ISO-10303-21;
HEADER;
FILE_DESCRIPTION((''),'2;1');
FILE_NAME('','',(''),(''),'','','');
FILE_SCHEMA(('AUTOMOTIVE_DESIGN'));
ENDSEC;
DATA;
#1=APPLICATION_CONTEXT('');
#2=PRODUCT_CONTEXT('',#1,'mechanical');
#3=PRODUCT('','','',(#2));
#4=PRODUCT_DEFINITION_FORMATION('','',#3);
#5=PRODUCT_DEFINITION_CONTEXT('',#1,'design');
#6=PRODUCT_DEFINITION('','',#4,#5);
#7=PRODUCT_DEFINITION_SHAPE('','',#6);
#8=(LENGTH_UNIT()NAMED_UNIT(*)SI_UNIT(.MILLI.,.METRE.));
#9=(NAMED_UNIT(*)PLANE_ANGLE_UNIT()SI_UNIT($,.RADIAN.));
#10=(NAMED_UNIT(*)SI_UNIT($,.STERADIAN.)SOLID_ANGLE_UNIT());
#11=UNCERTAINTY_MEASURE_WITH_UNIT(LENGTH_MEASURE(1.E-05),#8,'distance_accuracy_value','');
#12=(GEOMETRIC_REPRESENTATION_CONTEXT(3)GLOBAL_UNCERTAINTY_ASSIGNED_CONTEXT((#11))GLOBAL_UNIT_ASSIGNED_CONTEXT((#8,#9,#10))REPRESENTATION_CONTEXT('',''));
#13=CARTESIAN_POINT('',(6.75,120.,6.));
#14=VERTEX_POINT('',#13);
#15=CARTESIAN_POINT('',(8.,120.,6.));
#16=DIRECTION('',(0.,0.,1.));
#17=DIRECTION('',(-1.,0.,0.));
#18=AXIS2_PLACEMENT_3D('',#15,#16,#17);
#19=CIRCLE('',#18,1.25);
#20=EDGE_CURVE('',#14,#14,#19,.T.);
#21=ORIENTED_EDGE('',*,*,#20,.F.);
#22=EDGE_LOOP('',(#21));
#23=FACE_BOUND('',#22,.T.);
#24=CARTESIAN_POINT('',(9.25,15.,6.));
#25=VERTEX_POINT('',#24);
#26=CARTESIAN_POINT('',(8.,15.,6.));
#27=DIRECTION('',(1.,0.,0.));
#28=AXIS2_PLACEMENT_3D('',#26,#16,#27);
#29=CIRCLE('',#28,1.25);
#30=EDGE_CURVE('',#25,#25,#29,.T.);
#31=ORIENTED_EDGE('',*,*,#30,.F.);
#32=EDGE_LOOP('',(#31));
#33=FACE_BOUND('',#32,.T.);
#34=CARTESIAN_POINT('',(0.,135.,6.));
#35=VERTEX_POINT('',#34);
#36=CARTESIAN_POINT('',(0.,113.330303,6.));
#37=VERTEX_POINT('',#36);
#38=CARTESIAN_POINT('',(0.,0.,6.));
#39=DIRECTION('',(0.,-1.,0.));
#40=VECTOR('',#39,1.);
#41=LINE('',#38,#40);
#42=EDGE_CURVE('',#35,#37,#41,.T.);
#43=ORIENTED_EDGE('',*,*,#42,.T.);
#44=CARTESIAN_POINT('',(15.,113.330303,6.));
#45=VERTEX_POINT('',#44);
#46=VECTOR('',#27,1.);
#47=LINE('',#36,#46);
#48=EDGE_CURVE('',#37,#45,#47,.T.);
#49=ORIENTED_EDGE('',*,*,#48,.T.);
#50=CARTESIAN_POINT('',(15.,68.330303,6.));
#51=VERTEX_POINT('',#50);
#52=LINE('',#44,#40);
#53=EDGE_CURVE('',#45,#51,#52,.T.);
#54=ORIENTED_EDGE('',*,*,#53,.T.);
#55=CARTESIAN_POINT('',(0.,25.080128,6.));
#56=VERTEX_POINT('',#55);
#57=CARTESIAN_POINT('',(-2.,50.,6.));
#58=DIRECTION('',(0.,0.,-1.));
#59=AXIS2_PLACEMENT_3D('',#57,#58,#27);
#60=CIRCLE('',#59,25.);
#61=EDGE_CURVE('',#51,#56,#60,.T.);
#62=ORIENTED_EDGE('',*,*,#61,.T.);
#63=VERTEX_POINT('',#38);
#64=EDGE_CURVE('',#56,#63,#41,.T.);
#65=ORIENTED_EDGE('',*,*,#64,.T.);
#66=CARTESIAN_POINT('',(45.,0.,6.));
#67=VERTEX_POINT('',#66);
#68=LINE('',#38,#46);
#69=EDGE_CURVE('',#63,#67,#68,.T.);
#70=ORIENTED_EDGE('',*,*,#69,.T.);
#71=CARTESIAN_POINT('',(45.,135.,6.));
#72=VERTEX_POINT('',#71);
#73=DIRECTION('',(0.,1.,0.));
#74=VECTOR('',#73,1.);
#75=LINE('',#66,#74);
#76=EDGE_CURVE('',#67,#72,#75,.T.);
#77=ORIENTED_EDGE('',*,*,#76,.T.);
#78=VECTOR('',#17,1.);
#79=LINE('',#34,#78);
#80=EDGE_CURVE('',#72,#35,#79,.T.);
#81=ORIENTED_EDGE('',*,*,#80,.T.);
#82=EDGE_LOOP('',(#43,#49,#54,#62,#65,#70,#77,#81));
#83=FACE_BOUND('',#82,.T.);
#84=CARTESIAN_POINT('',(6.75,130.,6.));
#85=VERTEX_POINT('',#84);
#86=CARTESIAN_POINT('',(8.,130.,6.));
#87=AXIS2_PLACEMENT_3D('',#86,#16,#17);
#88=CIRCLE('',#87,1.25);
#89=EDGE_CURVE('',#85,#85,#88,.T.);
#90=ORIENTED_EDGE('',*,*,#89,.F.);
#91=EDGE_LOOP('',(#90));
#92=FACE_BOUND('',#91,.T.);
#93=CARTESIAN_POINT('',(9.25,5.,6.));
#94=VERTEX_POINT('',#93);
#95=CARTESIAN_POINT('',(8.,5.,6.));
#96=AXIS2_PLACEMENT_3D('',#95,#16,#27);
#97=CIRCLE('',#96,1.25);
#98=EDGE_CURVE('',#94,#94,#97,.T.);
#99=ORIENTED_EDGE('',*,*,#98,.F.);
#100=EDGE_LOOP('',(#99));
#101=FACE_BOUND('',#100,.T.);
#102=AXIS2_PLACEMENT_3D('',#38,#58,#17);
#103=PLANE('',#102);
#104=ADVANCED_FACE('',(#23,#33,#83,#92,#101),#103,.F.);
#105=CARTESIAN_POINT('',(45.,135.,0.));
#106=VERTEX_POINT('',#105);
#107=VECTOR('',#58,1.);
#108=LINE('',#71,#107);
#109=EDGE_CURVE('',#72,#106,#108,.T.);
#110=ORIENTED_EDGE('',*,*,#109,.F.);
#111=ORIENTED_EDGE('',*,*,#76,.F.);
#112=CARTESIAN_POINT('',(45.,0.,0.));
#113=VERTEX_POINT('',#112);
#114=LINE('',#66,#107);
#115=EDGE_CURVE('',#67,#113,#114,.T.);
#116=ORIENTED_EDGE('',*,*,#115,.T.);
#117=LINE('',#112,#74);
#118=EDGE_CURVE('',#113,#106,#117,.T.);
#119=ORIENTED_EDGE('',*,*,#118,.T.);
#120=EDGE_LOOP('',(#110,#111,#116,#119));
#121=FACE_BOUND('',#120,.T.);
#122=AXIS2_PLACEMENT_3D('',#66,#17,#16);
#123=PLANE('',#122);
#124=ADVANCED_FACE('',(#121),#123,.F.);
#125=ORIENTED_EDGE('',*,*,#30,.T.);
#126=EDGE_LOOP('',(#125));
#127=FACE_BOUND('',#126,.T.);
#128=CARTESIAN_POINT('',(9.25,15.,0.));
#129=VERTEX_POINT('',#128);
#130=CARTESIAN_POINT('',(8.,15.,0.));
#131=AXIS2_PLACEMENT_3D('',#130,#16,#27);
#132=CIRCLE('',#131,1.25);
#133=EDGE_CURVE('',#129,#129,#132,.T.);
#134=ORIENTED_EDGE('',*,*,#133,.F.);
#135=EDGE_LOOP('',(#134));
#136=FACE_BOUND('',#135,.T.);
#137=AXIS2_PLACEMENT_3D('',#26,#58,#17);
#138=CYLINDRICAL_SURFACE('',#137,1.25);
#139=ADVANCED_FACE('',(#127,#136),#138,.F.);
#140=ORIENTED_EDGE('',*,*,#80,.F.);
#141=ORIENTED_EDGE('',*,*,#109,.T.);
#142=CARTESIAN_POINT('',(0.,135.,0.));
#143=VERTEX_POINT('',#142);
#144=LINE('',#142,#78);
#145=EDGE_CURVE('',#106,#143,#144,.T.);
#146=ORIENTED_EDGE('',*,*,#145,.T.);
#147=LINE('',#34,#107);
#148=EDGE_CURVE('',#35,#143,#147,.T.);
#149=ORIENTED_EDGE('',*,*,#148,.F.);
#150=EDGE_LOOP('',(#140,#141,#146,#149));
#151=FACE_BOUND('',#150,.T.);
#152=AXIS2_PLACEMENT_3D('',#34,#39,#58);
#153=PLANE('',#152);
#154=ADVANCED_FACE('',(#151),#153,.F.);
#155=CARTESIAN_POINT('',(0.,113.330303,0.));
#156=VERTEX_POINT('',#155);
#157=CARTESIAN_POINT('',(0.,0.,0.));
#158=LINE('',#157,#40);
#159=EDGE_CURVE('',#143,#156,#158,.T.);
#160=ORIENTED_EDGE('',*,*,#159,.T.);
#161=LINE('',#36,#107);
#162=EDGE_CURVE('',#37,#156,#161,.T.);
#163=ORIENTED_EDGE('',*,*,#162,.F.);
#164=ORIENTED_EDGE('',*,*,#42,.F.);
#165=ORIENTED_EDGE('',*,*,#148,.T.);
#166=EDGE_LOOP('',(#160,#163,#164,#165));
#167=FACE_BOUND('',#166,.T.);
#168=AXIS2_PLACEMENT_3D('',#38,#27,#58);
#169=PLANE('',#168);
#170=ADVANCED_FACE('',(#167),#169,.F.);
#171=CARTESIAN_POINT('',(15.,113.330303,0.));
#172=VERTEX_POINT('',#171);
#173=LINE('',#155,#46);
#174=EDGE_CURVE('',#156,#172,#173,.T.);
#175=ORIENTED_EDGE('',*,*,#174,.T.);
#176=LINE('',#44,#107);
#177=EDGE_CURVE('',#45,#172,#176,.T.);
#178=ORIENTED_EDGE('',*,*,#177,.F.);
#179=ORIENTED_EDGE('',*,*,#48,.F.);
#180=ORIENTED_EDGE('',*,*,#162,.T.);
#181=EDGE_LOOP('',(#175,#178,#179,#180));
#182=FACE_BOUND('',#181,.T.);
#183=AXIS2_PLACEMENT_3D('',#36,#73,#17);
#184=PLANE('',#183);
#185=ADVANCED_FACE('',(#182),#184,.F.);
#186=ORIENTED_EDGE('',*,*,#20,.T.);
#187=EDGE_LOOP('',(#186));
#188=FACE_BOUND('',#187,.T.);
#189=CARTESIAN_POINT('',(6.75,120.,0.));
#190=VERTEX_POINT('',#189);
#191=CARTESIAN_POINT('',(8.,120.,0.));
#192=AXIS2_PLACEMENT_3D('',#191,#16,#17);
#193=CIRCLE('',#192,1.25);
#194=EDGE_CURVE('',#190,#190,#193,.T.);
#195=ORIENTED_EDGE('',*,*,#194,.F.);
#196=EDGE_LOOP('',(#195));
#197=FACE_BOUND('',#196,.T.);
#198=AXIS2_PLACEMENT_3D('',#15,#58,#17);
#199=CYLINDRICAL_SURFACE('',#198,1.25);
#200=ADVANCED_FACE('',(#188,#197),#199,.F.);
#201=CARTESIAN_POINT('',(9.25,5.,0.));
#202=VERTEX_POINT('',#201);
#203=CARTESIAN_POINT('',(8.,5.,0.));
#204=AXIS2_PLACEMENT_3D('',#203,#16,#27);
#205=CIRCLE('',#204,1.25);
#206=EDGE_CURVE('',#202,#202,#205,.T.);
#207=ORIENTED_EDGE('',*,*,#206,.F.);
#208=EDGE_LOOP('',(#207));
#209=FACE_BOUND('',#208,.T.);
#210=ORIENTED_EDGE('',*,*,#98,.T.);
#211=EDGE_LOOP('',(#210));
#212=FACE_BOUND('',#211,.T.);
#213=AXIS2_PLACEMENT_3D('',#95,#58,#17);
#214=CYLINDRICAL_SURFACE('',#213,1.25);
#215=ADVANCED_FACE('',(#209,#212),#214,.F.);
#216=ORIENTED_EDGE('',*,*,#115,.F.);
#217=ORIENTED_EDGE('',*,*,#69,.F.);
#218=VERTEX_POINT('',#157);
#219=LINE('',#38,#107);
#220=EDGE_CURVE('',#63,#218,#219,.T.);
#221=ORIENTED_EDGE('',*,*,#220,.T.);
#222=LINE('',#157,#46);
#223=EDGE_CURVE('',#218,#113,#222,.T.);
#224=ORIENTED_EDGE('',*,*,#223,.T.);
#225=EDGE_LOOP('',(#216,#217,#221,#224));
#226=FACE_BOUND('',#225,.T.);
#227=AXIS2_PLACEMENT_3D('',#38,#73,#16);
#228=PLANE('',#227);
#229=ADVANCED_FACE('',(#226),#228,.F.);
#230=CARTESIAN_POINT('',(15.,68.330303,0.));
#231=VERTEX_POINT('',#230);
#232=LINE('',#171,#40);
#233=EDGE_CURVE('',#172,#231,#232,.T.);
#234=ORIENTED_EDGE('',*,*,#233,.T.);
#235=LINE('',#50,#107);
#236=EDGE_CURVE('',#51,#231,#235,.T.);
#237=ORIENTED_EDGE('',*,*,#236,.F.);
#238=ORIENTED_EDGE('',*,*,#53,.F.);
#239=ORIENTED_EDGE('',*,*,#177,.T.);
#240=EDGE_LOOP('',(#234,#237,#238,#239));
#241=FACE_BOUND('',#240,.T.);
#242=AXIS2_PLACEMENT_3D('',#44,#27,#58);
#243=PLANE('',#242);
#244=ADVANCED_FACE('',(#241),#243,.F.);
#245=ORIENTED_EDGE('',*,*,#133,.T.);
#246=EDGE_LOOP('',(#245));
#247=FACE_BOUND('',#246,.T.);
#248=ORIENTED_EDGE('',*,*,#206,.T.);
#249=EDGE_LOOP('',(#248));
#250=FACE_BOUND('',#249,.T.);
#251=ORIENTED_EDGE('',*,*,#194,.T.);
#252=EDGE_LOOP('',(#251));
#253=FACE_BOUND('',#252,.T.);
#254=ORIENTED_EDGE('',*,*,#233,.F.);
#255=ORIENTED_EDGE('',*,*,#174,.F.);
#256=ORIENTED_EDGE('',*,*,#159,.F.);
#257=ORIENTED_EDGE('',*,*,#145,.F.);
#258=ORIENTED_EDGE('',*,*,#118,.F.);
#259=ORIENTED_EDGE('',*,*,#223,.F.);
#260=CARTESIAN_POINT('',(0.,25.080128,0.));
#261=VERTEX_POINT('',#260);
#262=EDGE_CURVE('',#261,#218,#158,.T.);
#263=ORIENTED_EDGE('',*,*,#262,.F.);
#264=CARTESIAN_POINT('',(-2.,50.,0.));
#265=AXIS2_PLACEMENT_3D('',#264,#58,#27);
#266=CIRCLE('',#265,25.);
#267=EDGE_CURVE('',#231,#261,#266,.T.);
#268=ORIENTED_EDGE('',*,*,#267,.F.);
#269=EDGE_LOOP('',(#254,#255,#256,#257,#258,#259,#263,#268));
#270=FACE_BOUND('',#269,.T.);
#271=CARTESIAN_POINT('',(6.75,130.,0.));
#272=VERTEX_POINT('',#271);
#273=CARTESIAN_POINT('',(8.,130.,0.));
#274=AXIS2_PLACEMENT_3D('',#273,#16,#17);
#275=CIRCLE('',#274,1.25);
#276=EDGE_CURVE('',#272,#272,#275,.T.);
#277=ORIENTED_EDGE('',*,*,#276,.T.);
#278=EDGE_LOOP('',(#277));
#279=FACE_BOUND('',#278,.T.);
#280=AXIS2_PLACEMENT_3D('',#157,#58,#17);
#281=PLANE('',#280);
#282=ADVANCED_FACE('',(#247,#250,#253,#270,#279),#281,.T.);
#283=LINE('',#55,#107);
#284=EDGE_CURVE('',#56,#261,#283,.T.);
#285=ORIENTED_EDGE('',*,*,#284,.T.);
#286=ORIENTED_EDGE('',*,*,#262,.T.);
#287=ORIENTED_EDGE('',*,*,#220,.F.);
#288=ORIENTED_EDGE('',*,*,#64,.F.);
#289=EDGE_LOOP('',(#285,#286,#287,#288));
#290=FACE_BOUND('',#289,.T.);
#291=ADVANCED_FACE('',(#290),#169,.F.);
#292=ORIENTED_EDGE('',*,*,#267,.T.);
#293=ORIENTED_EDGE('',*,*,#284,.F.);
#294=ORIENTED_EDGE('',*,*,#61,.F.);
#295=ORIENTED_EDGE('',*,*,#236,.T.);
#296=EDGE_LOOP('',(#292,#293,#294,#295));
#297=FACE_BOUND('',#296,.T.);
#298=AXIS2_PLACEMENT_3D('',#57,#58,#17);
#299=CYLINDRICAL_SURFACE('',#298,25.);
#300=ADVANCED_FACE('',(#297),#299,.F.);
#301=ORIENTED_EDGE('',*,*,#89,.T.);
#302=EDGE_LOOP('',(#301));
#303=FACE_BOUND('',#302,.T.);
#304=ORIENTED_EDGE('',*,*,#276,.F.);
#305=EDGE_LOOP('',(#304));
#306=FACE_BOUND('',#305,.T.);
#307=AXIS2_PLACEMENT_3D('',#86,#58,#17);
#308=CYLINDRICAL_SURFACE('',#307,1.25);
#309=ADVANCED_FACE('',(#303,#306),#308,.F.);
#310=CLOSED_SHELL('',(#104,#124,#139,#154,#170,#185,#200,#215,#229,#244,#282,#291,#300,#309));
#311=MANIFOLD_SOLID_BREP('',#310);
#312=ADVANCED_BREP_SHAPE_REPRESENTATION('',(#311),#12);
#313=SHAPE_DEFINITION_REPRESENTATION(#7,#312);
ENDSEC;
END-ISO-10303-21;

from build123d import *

# Parameters (mm, degrees)
ESQUISSE1_W             = 45
ESQUISSE1_H             = 135
ESQUISSE1_R             = 1.25
BOSS_EXTRU_1_DEPTH      = 6
ENL_V_MAT_EXTRU_1_DEPTH = 143.428929646


with BuildPart() as part:
    # Esquisse1 → Boss.-Extru.1 (new body)
    with BuildSketch(Plane.XY):
        with Locations((22.5, 67.5)):
            Rectangle(ESQUISSE1_W, ESQUISSE1_H)
        with Locations((8, 5)):
            Circle(ESQUISSE1_R, mode=Mode.SUBTRACT)
        with Locations((8, 15)):
            Circle(ESQUISSE1_R, mode=Mode.SUBTRACT)
        with Locations(Location((8, 120, 0), (0, 0, 180))):
            Circle(ESQUISSE1_R, mode=Mode.SUBTRACT)
        with Locations(Location((8, 130, 0), (0, 0, 180))):
            Circle(ESQUISSE1_R, mode=Mode.SUBTRACT)
    extrude(amount=BOSS_EXTRU_1_DEPTH)

    # Esquisse2 → Enlèv. mat.-Extru.1 (cut, through all)
    with BuildSketch(Plane(origin=(0, 0, 0), x_dir=(-1, 0, 0), z_dir=(0, 0, -1))):
        with BuildLine():
            Line((0, 25.080128411), (0, 113.33030278))
            Line((0, 113.33030278), (-15, 113.33030278))
            Line((-15, 113.33030278), (-15, 68.33030278))
            ThreePointArc((-15, 68.33030278), (-21.619788224, 41.80819896), (0, 25.080128411))
        make_face()
    extrude(amount=-ENL_V_MAT_EXTRU_1_DEPTH, mode=Mode.SUBTRACT)


solid = part.part
